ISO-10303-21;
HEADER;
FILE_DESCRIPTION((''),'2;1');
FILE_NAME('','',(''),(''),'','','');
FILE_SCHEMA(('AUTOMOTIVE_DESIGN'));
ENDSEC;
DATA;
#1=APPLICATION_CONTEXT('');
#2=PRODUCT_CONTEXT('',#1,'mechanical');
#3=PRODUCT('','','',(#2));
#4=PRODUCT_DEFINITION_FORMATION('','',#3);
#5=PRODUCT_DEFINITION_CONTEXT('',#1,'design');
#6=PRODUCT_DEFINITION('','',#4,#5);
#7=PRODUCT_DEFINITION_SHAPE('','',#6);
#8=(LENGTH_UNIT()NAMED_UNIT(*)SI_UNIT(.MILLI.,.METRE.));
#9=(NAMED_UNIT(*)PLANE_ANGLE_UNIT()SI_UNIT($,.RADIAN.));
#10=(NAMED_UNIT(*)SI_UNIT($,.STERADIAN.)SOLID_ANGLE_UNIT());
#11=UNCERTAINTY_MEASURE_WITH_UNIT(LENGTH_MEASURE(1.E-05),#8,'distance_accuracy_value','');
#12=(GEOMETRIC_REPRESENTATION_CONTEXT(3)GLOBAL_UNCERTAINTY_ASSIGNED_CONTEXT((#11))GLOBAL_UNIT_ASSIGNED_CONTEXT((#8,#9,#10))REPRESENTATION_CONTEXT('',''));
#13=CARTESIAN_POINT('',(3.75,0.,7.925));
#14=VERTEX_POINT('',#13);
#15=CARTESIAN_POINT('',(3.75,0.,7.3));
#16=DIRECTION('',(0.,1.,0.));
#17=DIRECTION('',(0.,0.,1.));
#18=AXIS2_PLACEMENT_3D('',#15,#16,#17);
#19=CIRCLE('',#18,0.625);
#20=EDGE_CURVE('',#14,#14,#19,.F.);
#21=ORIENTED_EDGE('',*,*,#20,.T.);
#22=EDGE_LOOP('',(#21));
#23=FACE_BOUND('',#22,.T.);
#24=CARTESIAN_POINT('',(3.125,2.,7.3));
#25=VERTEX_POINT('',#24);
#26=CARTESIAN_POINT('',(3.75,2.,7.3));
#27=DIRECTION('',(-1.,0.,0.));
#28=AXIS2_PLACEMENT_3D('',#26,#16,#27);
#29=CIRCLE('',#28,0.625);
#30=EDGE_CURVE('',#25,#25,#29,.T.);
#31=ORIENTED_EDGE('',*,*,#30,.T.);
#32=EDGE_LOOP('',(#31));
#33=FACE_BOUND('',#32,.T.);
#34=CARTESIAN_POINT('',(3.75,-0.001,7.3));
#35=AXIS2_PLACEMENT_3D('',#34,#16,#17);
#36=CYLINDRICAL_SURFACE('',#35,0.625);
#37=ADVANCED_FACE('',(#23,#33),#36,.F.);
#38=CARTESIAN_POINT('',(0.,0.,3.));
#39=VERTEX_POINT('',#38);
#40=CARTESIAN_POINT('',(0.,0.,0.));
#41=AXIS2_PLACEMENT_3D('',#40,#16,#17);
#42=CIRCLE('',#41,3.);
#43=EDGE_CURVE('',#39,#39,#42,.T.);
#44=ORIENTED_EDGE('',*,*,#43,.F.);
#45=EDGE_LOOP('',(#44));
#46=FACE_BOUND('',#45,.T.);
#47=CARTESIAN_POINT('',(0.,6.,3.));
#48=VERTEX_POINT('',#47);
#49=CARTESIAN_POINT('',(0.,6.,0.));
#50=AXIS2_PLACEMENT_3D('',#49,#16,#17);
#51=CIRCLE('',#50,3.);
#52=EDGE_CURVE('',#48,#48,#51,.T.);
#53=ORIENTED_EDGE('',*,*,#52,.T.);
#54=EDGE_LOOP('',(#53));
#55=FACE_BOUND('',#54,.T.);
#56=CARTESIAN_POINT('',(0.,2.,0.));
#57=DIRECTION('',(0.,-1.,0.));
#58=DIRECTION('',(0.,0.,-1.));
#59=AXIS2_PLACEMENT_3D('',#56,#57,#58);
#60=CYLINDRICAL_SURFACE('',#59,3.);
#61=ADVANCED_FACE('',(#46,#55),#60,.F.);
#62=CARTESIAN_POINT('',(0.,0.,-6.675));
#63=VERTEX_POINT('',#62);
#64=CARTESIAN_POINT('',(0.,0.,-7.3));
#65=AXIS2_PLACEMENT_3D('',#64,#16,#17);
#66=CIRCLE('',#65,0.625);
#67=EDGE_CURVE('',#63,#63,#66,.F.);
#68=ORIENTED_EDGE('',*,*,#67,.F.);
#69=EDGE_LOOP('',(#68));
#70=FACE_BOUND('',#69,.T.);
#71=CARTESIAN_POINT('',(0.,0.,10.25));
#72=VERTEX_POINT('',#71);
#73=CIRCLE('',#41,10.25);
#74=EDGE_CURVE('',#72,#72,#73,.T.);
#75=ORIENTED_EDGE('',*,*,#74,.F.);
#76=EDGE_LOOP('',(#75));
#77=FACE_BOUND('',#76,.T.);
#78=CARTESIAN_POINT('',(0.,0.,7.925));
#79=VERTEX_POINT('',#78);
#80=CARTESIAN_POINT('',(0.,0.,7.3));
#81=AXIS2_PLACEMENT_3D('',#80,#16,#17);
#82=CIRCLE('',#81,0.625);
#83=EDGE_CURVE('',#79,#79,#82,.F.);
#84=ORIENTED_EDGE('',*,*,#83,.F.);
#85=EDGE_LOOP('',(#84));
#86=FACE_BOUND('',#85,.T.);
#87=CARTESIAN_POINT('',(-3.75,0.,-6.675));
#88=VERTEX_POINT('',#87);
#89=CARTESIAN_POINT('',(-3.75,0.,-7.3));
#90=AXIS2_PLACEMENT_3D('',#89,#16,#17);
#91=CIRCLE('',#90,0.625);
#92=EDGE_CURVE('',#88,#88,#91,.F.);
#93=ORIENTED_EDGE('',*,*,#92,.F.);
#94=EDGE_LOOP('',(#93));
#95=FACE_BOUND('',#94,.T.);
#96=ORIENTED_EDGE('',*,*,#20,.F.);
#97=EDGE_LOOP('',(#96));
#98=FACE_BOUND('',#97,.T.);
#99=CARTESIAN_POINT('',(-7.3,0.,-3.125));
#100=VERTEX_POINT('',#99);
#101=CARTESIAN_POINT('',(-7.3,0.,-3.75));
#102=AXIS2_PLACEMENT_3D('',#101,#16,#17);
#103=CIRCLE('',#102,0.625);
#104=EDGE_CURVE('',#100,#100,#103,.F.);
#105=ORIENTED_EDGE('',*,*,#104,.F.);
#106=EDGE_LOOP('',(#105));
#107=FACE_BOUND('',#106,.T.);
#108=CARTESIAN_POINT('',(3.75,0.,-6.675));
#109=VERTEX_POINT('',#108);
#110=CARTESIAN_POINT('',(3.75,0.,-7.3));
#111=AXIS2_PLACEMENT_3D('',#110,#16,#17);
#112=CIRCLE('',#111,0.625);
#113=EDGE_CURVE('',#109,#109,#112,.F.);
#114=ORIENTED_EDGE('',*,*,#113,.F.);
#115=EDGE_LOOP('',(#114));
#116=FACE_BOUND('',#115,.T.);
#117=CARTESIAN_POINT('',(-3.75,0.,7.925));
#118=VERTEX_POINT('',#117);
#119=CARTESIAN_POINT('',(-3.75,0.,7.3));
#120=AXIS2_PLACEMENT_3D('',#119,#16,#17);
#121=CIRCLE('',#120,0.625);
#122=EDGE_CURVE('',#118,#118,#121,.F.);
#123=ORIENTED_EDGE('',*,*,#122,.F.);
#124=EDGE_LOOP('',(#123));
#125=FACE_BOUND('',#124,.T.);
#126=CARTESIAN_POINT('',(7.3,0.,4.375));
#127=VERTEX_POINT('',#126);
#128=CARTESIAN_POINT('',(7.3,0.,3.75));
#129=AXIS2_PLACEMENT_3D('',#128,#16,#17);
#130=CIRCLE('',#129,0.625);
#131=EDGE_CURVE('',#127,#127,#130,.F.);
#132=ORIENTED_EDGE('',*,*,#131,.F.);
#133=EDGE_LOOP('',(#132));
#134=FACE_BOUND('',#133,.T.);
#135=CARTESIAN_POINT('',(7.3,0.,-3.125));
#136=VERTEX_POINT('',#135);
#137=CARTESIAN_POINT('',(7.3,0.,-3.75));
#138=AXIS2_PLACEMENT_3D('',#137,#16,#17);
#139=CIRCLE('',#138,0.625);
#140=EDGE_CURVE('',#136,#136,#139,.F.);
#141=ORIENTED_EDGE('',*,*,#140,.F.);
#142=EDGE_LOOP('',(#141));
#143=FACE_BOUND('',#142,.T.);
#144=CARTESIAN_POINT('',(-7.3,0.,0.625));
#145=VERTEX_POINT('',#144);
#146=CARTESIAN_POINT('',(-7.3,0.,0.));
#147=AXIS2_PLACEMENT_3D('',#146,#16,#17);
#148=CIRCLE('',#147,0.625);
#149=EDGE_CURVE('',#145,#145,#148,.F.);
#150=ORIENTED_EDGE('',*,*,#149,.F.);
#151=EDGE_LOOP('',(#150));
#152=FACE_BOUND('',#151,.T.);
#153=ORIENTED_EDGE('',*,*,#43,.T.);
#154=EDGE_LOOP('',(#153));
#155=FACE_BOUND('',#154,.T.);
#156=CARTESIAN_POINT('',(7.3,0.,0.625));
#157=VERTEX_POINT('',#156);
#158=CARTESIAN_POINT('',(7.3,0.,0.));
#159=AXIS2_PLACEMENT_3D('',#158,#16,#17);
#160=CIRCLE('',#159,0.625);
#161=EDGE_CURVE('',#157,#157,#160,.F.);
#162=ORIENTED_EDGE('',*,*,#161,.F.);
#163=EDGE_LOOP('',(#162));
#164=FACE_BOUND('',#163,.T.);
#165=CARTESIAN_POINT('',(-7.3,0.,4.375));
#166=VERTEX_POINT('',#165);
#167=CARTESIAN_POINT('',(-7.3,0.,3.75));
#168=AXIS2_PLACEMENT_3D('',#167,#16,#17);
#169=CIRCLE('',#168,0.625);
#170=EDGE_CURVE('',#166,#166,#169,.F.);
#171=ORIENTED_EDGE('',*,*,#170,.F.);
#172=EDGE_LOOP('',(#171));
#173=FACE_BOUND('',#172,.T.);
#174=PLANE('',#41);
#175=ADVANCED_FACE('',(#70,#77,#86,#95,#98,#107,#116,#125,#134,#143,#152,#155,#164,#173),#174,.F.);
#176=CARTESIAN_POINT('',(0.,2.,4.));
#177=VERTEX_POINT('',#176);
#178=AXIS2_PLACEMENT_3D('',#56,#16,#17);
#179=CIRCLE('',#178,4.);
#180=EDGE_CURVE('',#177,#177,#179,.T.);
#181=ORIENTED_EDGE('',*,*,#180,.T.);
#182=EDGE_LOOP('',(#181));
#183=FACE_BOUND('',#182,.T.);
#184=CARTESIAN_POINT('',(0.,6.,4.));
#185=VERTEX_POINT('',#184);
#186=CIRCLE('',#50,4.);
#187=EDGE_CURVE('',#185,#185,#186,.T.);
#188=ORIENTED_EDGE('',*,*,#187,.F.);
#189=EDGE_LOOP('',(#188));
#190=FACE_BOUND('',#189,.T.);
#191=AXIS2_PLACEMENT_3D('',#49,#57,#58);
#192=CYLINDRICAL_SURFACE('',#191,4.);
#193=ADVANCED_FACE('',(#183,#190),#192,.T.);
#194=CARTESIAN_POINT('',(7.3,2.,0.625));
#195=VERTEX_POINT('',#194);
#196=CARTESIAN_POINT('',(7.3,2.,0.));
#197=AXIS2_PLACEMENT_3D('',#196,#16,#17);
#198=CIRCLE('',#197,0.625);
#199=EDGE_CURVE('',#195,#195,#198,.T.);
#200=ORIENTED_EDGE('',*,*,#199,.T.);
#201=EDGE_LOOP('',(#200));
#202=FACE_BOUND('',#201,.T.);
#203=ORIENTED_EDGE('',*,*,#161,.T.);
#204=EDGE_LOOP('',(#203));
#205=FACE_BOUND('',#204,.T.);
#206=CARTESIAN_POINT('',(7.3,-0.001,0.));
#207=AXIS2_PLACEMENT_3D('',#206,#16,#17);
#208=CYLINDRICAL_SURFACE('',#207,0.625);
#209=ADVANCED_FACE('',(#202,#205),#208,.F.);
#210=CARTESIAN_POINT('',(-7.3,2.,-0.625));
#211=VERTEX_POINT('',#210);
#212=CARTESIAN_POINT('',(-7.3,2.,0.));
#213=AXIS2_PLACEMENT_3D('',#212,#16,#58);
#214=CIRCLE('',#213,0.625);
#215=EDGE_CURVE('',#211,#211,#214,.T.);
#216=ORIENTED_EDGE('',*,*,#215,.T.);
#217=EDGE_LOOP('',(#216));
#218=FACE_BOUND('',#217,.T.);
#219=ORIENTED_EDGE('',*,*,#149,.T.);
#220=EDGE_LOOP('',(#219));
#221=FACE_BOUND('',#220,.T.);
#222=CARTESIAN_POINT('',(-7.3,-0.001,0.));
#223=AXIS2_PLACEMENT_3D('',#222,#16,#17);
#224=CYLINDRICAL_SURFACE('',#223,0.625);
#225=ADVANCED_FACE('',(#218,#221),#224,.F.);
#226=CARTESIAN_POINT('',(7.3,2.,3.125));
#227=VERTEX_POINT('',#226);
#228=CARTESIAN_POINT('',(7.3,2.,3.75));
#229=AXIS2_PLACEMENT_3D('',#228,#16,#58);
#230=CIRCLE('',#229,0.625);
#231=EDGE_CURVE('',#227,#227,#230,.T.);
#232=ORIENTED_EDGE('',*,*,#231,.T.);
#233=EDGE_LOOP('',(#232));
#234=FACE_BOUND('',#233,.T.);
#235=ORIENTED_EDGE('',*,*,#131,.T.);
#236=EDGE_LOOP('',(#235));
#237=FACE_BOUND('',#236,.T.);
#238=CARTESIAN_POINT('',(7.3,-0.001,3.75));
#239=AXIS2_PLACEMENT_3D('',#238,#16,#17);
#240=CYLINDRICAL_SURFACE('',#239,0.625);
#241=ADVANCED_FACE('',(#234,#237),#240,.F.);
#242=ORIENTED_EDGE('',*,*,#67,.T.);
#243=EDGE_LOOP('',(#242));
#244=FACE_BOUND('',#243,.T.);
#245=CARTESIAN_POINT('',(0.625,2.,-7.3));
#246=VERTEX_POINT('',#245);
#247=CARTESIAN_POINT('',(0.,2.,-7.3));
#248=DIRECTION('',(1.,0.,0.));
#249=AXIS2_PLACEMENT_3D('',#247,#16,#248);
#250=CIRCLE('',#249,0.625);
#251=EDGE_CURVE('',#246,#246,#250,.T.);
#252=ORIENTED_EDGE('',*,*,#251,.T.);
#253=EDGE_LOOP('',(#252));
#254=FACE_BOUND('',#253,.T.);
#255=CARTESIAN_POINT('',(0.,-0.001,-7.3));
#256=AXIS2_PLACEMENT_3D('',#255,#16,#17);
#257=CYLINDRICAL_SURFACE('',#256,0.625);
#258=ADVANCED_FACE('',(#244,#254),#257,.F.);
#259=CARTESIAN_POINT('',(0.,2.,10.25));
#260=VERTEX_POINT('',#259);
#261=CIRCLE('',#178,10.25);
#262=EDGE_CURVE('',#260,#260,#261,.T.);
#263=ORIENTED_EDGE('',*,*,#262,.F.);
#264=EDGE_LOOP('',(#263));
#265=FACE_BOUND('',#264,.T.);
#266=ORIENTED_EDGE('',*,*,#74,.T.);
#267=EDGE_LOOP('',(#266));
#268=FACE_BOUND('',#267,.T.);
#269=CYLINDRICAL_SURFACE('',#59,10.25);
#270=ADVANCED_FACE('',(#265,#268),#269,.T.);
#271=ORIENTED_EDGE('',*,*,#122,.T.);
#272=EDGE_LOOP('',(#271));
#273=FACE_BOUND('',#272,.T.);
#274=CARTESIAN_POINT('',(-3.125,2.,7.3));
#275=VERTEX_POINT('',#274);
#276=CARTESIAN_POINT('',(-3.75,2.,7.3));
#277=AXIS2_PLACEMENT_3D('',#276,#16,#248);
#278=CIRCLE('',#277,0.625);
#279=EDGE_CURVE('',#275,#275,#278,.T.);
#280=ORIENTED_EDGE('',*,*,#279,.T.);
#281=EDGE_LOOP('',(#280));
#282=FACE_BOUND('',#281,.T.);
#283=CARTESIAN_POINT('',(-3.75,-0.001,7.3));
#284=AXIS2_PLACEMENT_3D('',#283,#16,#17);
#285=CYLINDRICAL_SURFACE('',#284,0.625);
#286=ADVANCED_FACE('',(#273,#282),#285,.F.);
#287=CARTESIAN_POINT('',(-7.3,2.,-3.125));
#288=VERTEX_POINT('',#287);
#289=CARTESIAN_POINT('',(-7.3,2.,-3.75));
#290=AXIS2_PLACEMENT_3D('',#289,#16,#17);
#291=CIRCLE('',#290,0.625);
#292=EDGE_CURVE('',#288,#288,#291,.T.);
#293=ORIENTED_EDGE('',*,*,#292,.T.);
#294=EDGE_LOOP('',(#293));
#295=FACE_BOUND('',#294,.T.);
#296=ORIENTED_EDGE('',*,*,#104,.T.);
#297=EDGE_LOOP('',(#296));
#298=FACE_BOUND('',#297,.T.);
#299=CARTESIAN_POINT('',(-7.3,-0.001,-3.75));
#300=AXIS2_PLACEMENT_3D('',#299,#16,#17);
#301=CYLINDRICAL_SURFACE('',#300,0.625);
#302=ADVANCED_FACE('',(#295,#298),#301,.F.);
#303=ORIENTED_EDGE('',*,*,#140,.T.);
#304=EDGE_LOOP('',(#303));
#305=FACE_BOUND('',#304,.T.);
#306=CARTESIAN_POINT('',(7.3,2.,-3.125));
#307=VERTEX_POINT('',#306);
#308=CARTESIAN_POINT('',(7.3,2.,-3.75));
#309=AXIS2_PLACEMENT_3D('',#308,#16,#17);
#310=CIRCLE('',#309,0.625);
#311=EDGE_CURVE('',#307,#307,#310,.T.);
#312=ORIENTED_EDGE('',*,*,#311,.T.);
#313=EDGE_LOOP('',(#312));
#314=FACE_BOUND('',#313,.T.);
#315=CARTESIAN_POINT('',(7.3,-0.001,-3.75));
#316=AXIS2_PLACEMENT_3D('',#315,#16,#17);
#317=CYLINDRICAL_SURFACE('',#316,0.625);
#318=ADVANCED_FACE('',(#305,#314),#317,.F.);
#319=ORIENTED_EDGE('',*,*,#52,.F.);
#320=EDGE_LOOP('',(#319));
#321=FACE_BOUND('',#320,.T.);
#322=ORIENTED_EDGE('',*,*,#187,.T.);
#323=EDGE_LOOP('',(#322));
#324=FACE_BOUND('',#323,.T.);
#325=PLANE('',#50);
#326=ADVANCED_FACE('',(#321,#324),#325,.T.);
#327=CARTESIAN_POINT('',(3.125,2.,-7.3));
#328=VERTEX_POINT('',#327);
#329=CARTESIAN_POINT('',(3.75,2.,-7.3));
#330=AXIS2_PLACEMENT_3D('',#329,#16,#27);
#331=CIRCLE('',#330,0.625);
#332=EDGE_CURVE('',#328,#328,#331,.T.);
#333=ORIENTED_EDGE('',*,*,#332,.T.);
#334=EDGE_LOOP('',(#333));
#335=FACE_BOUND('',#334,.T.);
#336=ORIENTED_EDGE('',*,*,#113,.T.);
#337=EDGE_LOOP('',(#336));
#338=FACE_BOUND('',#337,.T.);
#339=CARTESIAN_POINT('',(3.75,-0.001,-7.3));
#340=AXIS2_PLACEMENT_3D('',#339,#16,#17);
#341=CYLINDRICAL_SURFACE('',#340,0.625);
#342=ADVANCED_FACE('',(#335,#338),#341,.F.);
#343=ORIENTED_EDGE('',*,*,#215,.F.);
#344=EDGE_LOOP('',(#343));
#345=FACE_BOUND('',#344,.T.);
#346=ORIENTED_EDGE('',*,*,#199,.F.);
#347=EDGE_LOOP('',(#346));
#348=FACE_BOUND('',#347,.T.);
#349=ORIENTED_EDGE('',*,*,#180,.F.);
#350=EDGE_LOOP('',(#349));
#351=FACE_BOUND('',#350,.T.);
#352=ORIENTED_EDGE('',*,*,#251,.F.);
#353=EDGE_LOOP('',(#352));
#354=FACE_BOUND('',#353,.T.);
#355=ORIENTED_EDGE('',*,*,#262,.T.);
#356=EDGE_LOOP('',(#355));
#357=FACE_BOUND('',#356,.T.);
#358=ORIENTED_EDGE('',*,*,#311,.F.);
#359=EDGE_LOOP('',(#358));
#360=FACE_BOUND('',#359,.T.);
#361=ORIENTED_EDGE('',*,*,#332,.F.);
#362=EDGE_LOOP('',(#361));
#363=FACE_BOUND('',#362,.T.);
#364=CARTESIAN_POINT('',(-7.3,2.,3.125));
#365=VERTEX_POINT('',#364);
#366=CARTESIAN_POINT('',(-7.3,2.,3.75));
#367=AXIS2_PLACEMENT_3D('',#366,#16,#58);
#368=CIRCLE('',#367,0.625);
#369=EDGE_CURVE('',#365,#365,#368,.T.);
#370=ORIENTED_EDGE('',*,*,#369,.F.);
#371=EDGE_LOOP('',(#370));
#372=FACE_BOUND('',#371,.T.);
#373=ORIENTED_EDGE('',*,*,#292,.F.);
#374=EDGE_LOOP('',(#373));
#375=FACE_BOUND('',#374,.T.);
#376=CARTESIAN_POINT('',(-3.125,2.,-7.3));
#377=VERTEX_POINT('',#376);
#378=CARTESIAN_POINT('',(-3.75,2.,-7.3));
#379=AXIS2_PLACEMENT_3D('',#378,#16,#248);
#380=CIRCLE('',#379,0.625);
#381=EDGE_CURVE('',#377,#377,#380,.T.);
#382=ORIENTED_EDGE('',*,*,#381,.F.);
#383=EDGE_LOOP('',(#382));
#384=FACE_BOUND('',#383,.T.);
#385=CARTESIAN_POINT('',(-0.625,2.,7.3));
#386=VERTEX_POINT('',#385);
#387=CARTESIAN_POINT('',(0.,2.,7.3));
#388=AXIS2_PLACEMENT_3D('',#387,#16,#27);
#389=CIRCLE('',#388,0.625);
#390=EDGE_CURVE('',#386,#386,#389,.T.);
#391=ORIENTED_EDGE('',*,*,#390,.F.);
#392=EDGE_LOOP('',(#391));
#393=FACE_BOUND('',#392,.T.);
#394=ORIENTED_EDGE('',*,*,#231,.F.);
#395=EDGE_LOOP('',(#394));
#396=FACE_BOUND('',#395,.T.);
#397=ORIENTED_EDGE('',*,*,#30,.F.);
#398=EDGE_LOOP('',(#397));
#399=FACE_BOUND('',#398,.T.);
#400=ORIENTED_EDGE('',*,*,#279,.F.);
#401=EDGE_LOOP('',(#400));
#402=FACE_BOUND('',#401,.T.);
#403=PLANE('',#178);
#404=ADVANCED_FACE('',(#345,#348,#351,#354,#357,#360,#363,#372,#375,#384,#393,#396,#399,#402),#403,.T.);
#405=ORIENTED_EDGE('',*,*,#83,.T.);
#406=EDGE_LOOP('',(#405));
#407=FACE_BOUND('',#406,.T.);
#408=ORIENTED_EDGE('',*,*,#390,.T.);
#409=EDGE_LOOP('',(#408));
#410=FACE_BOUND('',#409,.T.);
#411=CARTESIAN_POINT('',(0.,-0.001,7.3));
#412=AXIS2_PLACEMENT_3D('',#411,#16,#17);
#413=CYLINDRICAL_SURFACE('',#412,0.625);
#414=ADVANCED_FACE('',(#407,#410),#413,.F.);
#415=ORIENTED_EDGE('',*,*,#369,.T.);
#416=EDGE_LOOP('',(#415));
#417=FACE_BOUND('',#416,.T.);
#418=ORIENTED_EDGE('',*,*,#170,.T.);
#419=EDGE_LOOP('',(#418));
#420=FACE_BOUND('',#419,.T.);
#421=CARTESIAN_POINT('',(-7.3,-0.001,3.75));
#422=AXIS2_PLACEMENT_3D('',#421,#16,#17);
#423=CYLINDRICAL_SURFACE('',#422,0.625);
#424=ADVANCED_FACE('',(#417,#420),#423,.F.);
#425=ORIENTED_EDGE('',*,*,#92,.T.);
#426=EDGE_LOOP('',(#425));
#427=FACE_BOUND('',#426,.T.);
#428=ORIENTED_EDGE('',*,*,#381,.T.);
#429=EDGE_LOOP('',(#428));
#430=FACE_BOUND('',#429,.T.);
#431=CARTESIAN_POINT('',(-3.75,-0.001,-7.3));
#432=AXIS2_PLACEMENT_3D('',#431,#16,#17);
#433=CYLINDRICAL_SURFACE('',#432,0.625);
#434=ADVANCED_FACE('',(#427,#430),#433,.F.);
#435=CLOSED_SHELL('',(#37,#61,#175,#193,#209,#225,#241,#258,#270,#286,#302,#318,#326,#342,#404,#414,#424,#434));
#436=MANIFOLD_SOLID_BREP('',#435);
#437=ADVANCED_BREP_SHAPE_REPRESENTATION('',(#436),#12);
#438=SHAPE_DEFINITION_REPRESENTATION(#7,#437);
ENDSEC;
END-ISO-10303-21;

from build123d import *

# Parameters (mm, degrees)
SKETCH1_R                   = 10.25
SKETCH1_R_2                 = 3
BOSS_EXTRUDE1_DEPTH         = 2
IZIM1_R                     = 4
IZIM1_R_2                   = 3
Y_KSEKLIK_EKSTR_ZYON1_DEPTH = 4
KES_EKSTR_ZYON1_REACH       = 17.037
IZIM2_R                     = 0.625
DAIRESEL_O_ALTMA1_COUNT     = 4


with BuildPart() as part:
    # Sketch1 → Boss-Extrude1 (new body)
    with BuildSketch(Plane(origin=(0, 0, 0), x_dir=(1, 0, 0), z_dir=(0, 1, 0))):
        with Locations(Location((0, 0, 0), (0, 0, 270))):
            Circle(SKETCH1_R)
        with Locations(Location((0, 0, 0), (0, 0, 270))):
            Circle(SKETCH1_R_2, mode=Mode.SUBTRACT)
    extrude(amount=BOSS_EXTRUDE1_DEPTH)

    # Çizim1 → Yükseklik-Ekstrüzyon1 (add)
    with BuildSketch(Plane(origin=(0, 2, 0), x_dir=(1, 0, 0), z_dir=(0, 1, 0))):
        with Locations(Location((0, 0, 0), (0, 0, 270))):
            Circle(IZIM1_R)
        with Locations(Location((0, 0, 0), (0, 0, 270))):
            Circle(IZIM1_R_2, mode=Mode.SUBTRACT)
    extrude(amount=Y_KSEKLIK_EKSTR_ZYON1_DEPTH)

    # Çizim2 → Kes-Ekstrüzyon1 (cut, up to next)
    with BuildSketch(Plane(origin=(0, 2, 0), x_dir=(1, 0, 0), z_dir=(0, 1, 0)), mode=Mode.PRIVATE) as kes_ekstr_zyon1_sk1:
        with Locations(Location((7.3, 0, 0), (0, 0, 270))):
            Circle(IZIM2_R)
    kes_ekstr_zyon1_tool1 = extrude(kes_ekstr_zyon1_sk1.sketch, amount=-KES_EKSTR_ZYON1_REACH, mode=Mode.PRIVATE) & part.part
    # Çizim2 → Kes-Ekstrüzyon1 (cut, up to next)
    with BuildSketch(Plane(origin=(0, 2, 0), x_dir=(1, 0, 0), z_dir=(0, 1, 0)), mode=Mode.PRIVATE) as kes_ekstr_zyon1_sk2:
        with Locations(Location((7.3, 3.75, 0), (0, 0, 270))):
            Circle(IZIM2_R)
    kes_ekstr_zyon1_tool2 = extrude(kes_ekstr_zyon1_sk2.sketch, amount=-KES_EKSTR_ZYON1_REACH, mode=Mode.PRIVATE) & part.part
    # Çizim2 → Kes-Ekstrüzyon1 (cut, up to next)
    with BuildSketch(Plane(origin=(0, 2, 0), x_dir=(1, 0, 0), z_dir=(0, 1, 0)), mode=Mode.PRIVATE) as kes_ekstr_zyon1_sk3:
        with Locations(Location((7.3, -3.75, 0), (0, 0, 270))):
            Circle(IZIM2_R)
    kes_ekstr_zyon1_tool3 = extrude(kes_ekstr_zyon1_sk3.sketch, amount=-KES_EKSTR_ZYON1_REACH, mode=Mode.PRIVATE) & part.part
    kes_ekstr_zyon1_1 = kes_ekstr_zyon1_tool1.solids().sort_by_distance((7.3, 2, 0))[0]
    add(kes_ekstr_zyon1_1, mode=Mode.SUBTRACT)
    kes_ekstr_zyon1_2 = kes_ekstr_zyon1_tool2.solids().sort_by_distance((7.3, 2, -3.75))[0]
    add(kes_ekstr_zyon1_2, mode=Mode.SUBTRACT)
    kes_ekstr_zyon1_3 = kes_ekstr_zyon1_tool3.solids().sort_by_distance((7.3, 2, 3.75))[0]
    add(kes_ekstr_zyon1_3, mode=Mode.SUBTRACT)
    kes_ekstr_zyon1 = kes_ekstr_zyon1_1 + kes_ekstr_zyon1_2 + kes_ekstr_zyon1_3  # Kes-Ekstrüzyon1 as one shape, for the pattern or mirror that repeats it

    # Dairesel Çoğaltma1: Kes-Ekstrüzyon1 ×4 about axis
    dairesel_o_altma1_axis = Axis((0, 0, 0), (0, 1, 0))
    for i in range(1, DAIRESEL_O_ALTMA1_COUNT):
        add(kes_ekstr_zyon1.rotate(dairesel_o_altma1_axis, i * 360 / DAIRESEL_O_ALTMA1_COUNT), mode=Mode.SUBTRACT)


solid = part.part
